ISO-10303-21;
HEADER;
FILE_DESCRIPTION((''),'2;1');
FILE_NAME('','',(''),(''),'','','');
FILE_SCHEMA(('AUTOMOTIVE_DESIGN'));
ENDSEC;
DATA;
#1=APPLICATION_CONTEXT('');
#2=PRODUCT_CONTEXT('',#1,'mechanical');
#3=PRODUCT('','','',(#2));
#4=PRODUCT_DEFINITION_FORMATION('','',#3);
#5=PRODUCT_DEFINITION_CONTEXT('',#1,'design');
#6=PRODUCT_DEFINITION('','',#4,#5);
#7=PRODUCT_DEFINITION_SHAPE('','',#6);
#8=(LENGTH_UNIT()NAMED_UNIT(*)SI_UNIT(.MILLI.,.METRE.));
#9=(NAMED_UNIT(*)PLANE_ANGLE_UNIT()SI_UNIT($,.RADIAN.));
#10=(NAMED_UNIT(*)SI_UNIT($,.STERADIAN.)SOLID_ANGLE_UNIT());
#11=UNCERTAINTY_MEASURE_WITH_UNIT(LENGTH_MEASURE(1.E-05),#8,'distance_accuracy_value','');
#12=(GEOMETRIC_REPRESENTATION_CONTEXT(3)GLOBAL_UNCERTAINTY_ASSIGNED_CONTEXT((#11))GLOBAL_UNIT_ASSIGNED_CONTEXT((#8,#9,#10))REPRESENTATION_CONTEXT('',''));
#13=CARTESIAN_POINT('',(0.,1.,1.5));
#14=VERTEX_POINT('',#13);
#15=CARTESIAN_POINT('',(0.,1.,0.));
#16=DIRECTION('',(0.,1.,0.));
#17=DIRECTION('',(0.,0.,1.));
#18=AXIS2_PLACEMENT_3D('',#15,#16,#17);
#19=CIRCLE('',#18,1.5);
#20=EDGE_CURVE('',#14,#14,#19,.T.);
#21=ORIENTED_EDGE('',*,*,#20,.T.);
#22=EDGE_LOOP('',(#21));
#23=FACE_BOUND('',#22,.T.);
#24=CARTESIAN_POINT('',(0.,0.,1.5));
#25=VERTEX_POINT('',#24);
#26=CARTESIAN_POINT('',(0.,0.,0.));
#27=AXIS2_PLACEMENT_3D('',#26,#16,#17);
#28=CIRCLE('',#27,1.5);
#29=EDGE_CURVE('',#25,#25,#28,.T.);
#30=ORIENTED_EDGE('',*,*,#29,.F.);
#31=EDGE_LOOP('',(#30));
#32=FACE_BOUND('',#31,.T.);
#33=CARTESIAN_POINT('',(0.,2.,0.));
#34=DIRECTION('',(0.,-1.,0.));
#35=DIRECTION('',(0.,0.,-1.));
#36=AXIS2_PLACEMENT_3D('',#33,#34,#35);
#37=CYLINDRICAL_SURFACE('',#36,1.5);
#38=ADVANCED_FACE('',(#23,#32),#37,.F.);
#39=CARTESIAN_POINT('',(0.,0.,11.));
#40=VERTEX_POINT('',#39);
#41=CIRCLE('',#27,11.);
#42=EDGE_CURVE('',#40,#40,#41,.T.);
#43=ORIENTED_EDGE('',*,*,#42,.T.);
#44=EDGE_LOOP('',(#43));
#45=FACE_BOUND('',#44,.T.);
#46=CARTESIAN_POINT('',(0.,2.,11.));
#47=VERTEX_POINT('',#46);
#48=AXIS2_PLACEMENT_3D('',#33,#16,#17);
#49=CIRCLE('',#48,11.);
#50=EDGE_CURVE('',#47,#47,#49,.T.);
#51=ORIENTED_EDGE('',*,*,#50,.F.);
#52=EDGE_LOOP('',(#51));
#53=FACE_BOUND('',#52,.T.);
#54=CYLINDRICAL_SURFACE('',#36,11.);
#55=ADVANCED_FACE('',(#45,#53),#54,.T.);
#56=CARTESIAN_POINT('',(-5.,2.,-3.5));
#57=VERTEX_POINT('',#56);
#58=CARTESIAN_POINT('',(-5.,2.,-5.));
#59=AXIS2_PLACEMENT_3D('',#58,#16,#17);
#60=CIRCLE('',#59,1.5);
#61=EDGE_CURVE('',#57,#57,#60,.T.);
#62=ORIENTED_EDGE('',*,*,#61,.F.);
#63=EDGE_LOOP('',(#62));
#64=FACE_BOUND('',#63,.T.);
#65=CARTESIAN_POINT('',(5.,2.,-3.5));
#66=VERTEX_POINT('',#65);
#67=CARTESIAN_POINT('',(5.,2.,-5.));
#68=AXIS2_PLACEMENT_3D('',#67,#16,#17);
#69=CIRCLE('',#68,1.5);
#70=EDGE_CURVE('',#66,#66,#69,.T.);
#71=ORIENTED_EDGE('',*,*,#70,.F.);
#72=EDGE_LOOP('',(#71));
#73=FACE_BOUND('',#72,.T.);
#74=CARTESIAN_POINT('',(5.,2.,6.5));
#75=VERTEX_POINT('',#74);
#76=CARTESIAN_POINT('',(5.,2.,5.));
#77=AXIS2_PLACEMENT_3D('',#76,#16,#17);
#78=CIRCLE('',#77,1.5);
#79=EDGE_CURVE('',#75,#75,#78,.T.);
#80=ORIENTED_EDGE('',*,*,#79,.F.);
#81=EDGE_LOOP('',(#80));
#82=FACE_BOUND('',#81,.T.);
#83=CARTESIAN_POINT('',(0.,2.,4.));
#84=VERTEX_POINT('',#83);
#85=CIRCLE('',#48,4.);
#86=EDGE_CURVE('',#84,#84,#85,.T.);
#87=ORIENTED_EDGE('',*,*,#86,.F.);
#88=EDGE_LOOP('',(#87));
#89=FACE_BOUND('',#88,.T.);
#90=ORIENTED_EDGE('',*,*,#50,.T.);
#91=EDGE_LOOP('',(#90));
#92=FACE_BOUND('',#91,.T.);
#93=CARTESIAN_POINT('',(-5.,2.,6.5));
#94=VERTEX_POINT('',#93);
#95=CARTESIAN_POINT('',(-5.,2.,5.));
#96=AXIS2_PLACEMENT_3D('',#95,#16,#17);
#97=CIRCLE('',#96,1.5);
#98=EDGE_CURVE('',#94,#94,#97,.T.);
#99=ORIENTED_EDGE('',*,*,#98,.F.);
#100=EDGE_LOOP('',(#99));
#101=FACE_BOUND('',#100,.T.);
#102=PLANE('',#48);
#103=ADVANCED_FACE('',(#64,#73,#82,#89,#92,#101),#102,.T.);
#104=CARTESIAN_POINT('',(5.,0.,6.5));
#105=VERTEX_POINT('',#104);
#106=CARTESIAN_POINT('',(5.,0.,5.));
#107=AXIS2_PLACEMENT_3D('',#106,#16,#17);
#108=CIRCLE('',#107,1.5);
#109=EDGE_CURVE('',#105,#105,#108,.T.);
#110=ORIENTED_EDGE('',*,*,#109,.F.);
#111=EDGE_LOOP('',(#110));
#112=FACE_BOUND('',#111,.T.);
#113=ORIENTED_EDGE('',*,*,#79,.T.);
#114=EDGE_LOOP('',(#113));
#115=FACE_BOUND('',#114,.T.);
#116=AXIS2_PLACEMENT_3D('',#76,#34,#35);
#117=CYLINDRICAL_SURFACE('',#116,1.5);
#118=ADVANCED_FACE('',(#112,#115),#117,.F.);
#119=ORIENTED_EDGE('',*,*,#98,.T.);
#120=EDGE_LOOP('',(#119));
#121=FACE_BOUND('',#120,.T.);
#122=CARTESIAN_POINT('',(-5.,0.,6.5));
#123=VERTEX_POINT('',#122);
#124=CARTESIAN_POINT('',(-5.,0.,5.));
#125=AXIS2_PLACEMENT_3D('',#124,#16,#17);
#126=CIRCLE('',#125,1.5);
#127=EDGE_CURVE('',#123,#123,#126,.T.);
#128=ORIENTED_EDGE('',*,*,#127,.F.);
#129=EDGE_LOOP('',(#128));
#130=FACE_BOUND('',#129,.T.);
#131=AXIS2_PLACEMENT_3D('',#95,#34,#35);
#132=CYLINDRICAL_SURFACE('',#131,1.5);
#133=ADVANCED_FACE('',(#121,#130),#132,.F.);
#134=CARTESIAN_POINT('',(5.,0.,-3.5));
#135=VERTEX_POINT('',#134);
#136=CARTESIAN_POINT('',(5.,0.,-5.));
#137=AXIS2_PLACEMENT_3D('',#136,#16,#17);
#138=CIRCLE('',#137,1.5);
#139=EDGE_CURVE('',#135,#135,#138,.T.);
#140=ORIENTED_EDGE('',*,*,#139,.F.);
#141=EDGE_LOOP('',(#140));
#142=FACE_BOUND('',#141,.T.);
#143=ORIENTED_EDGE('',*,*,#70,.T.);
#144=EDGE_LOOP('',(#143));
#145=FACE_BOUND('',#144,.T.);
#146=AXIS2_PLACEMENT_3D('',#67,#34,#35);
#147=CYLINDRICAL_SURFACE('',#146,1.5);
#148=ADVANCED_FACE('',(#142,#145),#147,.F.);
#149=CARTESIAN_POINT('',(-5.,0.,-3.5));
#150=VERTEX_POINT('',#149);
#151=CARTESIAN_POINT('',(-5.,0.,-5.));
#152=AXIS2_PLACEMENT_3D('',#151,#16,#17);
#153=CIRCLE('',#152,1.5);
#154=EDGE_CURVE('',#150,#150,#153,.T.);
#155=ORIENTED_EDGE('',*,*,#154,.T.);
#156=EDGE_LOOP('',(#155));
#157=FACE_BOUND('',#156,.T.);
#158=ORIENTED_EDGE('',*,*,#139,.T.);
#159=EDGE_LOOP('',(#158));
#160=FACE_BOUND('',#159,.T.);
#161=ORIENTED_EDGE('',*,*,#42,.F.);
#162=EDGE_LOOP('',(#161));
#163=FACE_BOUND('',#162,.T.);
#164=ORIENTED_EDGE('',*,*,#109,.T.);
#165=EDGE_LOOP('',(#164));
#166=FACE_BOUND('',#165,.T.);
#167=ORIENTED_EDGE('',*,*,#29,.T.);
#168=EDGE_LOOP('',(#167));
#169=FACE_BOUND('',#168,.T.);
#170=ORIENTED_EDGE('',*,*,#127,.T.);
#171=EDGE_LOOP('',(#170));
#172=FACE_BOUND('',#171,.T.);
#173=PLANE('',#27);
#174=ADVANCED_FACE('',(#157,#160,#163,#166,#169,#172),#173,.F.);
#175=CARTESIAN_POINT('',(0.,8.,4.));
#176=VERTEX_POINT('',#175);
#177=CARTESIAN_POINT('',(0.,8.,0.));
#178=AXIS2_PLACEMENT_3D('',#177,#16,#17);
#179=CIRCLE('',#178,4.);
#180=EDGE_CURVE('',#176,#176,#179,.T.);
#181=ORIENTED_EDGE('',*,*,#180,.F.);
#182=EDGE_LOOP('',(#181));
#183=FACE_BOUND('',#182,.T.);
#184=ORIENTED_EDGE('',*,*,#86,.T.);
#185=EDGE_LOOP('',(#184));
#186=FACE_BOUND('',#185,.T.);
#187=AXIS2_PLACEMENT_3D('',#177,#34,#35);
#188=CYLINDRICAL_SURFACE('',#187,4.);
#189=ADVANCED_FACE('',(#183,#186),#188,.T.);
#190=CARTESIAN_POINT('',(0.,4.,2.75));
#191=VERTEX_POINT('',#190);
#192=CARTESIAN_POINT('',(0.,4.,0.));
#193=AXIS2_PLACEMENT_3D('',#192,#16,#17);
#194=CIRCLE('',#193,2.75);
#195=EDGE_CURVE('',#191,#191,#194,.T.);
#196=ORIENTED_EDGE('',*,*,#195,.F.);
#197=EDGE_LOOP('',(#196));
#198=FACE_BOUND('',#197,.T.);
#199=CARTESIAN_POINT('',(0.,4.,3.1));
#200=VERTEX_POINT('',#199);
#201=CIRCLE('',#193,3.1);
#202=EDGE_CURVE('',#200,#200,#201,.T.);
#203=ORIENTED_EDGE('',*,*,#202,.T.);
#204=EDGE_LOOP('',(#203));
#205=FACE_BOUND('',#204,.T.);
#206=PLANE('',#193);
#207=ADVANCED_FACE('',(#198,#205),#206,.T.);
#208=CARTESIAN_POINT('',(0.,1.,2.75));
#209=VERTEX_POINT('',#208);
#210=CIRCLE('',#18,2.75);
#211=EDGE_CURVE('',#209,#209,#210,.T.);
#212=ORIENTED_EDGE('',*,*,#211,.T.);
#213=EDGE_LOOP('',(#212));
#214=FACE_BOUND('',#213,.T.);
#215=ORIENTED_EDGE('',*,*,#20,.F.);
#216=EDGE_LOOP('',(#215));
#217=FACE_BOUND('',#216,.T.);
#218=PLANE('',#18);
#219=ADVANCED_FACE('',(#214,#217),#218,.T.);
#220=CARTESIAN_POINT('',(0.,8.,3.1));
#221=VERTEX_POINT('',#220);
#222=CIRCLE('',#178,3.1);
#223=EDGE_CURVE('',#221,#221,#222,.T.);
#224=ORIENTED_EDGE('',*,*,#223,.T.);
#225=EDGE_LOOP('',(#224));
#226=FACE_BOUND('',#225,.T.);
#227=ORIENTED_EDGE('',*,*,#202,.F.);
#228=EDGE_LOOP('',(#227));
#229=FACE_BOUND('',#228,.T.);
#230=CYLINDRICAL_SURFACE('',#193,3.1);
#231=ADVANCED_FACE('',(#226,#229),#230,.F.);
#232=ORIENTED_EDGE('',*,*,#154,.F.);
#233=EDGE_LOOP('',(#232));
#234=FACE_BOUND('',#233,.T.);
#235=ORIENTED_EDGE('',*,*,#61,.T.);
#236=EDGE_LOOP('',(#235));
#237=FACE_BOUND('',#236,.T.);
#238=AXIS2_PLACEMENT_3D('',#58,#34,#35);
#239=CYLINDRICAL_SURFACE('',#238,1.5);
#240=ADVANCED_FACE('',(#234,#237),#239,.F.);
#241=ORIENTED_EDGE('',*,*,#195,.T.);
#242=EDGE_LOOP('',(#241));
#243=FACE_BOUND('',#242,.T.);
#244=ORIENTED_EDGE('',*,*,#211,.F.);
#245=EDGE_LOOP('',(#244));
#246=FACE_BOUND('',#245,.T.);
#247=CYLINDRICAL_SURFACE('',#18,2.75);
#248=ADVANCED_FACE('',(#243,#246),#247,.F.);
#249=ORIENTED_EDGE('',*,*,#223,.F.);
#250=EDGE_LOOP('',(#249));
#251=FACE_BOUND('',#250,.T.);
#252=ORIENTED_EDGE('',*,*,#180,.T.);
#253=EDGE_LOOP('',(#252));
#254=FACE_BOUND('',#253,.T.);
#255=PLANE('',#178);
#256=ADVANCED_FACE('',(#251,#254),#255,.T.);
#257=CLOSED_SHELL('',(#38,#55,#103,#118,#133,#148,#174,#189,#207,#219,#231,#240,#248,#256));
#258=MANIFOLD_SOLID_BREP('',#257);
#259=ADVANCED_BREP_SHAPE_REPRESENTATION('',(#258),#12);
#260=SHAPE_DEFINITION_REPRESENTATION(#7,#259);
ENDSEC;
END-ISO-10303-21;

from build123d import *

# Parameters (mm, degrees)
SKETCH_1_R          = 11
SKETCH_1_R_2        = 1.5
EXTRUDE_4_DEPTH     = 2
SKETCH_2_R          = 4
EXTRUDE_5_DEPTH     = 6
SKETCH_3_R          = 3.1
CUT_EXTRUDE_1_DEPTH = 4
SKETCH_4_R          = 2.75
CUT_EXTRUDE_2_DEPTH = 3


with BuildPart() as part:
    # 草图1 → 凸台-拉伸4 (new body)
    with BuildSketch(Plane(origin=(0, 0, 0), x_dir=(1, 0, 0), z_dir=(0, 1, 0))):
        with Locations(Location((0, 0, 0), (0, 0, 270))):
            Circle(SKETCH_1_R)
        with Locations(Location((0, 0, 0), (0, 0, 270))):
            Circle(SKETCH_1_R_2, mode=Mode.SUBTRACT)
        with Locations(Location((-5, 5, 0), (0, 0, 270))):
            Circle(SKETCH_1_R_2, mode=Mode.SUBTRACT)
        with Locations(Location((5, 5, 0), (0, 0, 270))):
            Circle(SKETCH_1_R_2, mode=Mode.SUBTRACT)
        with Locations(Location((5, -5, 0), (0, 0, 270))):
            Circle(SKETCH_1_R_2, mode=Mode.SUBTRACT)
        with Locations(Location((-5, -5, 0), (0, 0, 270))):
            Circle(SKETCH_1_R_2, mode=Mode.SUBTRACT)
    extrude(amount=EXTRUDE_4_DEPTH)

    # 草图2 → 凸台-拉伸5 (add)
    with BuildSketch(Plane(origin=(0, 2, 0), x_dir=(1, 0, 0), z_dir=(0, 1, 0))):
        with Locations(Location((0, 0, 0), (0, 0, 270))):
            Circle(SKETCH_2_R)
    extrude(amount=EXTRUDE_5_DEPTH)

    # 草图3 → 切除-拉伸1 (cut)
    with BuildSketch(Plane(origin=(0, 8, 0), x_dir=(1, 0, 0), z_dir=(0, 1, 0))):
        with Locations(Location((0, 0, 0), (0, 0, 270))):
            Circle(SKETCH_3_R)
    extrude(amount=-CUT_EXTRUDE_1_DEPTH, mode=Mode.SUBTRACT)

    # 草图4 → 切除-拉伸2 (cut)
    with BuildSketch(Plane(origin=(0, 4, 0), x_dir=(1, 0, 0), z_dir=(0, 1, 0))):
        with Locations(Location((0, 0, 0), (0, 0, 270))):
            Circle(SKETCH_4_R)
    extrude(amount=-CUT_EXTRUDE_2_DEPTH, mode=Mode.SUBTRACT)


solid = part.part
